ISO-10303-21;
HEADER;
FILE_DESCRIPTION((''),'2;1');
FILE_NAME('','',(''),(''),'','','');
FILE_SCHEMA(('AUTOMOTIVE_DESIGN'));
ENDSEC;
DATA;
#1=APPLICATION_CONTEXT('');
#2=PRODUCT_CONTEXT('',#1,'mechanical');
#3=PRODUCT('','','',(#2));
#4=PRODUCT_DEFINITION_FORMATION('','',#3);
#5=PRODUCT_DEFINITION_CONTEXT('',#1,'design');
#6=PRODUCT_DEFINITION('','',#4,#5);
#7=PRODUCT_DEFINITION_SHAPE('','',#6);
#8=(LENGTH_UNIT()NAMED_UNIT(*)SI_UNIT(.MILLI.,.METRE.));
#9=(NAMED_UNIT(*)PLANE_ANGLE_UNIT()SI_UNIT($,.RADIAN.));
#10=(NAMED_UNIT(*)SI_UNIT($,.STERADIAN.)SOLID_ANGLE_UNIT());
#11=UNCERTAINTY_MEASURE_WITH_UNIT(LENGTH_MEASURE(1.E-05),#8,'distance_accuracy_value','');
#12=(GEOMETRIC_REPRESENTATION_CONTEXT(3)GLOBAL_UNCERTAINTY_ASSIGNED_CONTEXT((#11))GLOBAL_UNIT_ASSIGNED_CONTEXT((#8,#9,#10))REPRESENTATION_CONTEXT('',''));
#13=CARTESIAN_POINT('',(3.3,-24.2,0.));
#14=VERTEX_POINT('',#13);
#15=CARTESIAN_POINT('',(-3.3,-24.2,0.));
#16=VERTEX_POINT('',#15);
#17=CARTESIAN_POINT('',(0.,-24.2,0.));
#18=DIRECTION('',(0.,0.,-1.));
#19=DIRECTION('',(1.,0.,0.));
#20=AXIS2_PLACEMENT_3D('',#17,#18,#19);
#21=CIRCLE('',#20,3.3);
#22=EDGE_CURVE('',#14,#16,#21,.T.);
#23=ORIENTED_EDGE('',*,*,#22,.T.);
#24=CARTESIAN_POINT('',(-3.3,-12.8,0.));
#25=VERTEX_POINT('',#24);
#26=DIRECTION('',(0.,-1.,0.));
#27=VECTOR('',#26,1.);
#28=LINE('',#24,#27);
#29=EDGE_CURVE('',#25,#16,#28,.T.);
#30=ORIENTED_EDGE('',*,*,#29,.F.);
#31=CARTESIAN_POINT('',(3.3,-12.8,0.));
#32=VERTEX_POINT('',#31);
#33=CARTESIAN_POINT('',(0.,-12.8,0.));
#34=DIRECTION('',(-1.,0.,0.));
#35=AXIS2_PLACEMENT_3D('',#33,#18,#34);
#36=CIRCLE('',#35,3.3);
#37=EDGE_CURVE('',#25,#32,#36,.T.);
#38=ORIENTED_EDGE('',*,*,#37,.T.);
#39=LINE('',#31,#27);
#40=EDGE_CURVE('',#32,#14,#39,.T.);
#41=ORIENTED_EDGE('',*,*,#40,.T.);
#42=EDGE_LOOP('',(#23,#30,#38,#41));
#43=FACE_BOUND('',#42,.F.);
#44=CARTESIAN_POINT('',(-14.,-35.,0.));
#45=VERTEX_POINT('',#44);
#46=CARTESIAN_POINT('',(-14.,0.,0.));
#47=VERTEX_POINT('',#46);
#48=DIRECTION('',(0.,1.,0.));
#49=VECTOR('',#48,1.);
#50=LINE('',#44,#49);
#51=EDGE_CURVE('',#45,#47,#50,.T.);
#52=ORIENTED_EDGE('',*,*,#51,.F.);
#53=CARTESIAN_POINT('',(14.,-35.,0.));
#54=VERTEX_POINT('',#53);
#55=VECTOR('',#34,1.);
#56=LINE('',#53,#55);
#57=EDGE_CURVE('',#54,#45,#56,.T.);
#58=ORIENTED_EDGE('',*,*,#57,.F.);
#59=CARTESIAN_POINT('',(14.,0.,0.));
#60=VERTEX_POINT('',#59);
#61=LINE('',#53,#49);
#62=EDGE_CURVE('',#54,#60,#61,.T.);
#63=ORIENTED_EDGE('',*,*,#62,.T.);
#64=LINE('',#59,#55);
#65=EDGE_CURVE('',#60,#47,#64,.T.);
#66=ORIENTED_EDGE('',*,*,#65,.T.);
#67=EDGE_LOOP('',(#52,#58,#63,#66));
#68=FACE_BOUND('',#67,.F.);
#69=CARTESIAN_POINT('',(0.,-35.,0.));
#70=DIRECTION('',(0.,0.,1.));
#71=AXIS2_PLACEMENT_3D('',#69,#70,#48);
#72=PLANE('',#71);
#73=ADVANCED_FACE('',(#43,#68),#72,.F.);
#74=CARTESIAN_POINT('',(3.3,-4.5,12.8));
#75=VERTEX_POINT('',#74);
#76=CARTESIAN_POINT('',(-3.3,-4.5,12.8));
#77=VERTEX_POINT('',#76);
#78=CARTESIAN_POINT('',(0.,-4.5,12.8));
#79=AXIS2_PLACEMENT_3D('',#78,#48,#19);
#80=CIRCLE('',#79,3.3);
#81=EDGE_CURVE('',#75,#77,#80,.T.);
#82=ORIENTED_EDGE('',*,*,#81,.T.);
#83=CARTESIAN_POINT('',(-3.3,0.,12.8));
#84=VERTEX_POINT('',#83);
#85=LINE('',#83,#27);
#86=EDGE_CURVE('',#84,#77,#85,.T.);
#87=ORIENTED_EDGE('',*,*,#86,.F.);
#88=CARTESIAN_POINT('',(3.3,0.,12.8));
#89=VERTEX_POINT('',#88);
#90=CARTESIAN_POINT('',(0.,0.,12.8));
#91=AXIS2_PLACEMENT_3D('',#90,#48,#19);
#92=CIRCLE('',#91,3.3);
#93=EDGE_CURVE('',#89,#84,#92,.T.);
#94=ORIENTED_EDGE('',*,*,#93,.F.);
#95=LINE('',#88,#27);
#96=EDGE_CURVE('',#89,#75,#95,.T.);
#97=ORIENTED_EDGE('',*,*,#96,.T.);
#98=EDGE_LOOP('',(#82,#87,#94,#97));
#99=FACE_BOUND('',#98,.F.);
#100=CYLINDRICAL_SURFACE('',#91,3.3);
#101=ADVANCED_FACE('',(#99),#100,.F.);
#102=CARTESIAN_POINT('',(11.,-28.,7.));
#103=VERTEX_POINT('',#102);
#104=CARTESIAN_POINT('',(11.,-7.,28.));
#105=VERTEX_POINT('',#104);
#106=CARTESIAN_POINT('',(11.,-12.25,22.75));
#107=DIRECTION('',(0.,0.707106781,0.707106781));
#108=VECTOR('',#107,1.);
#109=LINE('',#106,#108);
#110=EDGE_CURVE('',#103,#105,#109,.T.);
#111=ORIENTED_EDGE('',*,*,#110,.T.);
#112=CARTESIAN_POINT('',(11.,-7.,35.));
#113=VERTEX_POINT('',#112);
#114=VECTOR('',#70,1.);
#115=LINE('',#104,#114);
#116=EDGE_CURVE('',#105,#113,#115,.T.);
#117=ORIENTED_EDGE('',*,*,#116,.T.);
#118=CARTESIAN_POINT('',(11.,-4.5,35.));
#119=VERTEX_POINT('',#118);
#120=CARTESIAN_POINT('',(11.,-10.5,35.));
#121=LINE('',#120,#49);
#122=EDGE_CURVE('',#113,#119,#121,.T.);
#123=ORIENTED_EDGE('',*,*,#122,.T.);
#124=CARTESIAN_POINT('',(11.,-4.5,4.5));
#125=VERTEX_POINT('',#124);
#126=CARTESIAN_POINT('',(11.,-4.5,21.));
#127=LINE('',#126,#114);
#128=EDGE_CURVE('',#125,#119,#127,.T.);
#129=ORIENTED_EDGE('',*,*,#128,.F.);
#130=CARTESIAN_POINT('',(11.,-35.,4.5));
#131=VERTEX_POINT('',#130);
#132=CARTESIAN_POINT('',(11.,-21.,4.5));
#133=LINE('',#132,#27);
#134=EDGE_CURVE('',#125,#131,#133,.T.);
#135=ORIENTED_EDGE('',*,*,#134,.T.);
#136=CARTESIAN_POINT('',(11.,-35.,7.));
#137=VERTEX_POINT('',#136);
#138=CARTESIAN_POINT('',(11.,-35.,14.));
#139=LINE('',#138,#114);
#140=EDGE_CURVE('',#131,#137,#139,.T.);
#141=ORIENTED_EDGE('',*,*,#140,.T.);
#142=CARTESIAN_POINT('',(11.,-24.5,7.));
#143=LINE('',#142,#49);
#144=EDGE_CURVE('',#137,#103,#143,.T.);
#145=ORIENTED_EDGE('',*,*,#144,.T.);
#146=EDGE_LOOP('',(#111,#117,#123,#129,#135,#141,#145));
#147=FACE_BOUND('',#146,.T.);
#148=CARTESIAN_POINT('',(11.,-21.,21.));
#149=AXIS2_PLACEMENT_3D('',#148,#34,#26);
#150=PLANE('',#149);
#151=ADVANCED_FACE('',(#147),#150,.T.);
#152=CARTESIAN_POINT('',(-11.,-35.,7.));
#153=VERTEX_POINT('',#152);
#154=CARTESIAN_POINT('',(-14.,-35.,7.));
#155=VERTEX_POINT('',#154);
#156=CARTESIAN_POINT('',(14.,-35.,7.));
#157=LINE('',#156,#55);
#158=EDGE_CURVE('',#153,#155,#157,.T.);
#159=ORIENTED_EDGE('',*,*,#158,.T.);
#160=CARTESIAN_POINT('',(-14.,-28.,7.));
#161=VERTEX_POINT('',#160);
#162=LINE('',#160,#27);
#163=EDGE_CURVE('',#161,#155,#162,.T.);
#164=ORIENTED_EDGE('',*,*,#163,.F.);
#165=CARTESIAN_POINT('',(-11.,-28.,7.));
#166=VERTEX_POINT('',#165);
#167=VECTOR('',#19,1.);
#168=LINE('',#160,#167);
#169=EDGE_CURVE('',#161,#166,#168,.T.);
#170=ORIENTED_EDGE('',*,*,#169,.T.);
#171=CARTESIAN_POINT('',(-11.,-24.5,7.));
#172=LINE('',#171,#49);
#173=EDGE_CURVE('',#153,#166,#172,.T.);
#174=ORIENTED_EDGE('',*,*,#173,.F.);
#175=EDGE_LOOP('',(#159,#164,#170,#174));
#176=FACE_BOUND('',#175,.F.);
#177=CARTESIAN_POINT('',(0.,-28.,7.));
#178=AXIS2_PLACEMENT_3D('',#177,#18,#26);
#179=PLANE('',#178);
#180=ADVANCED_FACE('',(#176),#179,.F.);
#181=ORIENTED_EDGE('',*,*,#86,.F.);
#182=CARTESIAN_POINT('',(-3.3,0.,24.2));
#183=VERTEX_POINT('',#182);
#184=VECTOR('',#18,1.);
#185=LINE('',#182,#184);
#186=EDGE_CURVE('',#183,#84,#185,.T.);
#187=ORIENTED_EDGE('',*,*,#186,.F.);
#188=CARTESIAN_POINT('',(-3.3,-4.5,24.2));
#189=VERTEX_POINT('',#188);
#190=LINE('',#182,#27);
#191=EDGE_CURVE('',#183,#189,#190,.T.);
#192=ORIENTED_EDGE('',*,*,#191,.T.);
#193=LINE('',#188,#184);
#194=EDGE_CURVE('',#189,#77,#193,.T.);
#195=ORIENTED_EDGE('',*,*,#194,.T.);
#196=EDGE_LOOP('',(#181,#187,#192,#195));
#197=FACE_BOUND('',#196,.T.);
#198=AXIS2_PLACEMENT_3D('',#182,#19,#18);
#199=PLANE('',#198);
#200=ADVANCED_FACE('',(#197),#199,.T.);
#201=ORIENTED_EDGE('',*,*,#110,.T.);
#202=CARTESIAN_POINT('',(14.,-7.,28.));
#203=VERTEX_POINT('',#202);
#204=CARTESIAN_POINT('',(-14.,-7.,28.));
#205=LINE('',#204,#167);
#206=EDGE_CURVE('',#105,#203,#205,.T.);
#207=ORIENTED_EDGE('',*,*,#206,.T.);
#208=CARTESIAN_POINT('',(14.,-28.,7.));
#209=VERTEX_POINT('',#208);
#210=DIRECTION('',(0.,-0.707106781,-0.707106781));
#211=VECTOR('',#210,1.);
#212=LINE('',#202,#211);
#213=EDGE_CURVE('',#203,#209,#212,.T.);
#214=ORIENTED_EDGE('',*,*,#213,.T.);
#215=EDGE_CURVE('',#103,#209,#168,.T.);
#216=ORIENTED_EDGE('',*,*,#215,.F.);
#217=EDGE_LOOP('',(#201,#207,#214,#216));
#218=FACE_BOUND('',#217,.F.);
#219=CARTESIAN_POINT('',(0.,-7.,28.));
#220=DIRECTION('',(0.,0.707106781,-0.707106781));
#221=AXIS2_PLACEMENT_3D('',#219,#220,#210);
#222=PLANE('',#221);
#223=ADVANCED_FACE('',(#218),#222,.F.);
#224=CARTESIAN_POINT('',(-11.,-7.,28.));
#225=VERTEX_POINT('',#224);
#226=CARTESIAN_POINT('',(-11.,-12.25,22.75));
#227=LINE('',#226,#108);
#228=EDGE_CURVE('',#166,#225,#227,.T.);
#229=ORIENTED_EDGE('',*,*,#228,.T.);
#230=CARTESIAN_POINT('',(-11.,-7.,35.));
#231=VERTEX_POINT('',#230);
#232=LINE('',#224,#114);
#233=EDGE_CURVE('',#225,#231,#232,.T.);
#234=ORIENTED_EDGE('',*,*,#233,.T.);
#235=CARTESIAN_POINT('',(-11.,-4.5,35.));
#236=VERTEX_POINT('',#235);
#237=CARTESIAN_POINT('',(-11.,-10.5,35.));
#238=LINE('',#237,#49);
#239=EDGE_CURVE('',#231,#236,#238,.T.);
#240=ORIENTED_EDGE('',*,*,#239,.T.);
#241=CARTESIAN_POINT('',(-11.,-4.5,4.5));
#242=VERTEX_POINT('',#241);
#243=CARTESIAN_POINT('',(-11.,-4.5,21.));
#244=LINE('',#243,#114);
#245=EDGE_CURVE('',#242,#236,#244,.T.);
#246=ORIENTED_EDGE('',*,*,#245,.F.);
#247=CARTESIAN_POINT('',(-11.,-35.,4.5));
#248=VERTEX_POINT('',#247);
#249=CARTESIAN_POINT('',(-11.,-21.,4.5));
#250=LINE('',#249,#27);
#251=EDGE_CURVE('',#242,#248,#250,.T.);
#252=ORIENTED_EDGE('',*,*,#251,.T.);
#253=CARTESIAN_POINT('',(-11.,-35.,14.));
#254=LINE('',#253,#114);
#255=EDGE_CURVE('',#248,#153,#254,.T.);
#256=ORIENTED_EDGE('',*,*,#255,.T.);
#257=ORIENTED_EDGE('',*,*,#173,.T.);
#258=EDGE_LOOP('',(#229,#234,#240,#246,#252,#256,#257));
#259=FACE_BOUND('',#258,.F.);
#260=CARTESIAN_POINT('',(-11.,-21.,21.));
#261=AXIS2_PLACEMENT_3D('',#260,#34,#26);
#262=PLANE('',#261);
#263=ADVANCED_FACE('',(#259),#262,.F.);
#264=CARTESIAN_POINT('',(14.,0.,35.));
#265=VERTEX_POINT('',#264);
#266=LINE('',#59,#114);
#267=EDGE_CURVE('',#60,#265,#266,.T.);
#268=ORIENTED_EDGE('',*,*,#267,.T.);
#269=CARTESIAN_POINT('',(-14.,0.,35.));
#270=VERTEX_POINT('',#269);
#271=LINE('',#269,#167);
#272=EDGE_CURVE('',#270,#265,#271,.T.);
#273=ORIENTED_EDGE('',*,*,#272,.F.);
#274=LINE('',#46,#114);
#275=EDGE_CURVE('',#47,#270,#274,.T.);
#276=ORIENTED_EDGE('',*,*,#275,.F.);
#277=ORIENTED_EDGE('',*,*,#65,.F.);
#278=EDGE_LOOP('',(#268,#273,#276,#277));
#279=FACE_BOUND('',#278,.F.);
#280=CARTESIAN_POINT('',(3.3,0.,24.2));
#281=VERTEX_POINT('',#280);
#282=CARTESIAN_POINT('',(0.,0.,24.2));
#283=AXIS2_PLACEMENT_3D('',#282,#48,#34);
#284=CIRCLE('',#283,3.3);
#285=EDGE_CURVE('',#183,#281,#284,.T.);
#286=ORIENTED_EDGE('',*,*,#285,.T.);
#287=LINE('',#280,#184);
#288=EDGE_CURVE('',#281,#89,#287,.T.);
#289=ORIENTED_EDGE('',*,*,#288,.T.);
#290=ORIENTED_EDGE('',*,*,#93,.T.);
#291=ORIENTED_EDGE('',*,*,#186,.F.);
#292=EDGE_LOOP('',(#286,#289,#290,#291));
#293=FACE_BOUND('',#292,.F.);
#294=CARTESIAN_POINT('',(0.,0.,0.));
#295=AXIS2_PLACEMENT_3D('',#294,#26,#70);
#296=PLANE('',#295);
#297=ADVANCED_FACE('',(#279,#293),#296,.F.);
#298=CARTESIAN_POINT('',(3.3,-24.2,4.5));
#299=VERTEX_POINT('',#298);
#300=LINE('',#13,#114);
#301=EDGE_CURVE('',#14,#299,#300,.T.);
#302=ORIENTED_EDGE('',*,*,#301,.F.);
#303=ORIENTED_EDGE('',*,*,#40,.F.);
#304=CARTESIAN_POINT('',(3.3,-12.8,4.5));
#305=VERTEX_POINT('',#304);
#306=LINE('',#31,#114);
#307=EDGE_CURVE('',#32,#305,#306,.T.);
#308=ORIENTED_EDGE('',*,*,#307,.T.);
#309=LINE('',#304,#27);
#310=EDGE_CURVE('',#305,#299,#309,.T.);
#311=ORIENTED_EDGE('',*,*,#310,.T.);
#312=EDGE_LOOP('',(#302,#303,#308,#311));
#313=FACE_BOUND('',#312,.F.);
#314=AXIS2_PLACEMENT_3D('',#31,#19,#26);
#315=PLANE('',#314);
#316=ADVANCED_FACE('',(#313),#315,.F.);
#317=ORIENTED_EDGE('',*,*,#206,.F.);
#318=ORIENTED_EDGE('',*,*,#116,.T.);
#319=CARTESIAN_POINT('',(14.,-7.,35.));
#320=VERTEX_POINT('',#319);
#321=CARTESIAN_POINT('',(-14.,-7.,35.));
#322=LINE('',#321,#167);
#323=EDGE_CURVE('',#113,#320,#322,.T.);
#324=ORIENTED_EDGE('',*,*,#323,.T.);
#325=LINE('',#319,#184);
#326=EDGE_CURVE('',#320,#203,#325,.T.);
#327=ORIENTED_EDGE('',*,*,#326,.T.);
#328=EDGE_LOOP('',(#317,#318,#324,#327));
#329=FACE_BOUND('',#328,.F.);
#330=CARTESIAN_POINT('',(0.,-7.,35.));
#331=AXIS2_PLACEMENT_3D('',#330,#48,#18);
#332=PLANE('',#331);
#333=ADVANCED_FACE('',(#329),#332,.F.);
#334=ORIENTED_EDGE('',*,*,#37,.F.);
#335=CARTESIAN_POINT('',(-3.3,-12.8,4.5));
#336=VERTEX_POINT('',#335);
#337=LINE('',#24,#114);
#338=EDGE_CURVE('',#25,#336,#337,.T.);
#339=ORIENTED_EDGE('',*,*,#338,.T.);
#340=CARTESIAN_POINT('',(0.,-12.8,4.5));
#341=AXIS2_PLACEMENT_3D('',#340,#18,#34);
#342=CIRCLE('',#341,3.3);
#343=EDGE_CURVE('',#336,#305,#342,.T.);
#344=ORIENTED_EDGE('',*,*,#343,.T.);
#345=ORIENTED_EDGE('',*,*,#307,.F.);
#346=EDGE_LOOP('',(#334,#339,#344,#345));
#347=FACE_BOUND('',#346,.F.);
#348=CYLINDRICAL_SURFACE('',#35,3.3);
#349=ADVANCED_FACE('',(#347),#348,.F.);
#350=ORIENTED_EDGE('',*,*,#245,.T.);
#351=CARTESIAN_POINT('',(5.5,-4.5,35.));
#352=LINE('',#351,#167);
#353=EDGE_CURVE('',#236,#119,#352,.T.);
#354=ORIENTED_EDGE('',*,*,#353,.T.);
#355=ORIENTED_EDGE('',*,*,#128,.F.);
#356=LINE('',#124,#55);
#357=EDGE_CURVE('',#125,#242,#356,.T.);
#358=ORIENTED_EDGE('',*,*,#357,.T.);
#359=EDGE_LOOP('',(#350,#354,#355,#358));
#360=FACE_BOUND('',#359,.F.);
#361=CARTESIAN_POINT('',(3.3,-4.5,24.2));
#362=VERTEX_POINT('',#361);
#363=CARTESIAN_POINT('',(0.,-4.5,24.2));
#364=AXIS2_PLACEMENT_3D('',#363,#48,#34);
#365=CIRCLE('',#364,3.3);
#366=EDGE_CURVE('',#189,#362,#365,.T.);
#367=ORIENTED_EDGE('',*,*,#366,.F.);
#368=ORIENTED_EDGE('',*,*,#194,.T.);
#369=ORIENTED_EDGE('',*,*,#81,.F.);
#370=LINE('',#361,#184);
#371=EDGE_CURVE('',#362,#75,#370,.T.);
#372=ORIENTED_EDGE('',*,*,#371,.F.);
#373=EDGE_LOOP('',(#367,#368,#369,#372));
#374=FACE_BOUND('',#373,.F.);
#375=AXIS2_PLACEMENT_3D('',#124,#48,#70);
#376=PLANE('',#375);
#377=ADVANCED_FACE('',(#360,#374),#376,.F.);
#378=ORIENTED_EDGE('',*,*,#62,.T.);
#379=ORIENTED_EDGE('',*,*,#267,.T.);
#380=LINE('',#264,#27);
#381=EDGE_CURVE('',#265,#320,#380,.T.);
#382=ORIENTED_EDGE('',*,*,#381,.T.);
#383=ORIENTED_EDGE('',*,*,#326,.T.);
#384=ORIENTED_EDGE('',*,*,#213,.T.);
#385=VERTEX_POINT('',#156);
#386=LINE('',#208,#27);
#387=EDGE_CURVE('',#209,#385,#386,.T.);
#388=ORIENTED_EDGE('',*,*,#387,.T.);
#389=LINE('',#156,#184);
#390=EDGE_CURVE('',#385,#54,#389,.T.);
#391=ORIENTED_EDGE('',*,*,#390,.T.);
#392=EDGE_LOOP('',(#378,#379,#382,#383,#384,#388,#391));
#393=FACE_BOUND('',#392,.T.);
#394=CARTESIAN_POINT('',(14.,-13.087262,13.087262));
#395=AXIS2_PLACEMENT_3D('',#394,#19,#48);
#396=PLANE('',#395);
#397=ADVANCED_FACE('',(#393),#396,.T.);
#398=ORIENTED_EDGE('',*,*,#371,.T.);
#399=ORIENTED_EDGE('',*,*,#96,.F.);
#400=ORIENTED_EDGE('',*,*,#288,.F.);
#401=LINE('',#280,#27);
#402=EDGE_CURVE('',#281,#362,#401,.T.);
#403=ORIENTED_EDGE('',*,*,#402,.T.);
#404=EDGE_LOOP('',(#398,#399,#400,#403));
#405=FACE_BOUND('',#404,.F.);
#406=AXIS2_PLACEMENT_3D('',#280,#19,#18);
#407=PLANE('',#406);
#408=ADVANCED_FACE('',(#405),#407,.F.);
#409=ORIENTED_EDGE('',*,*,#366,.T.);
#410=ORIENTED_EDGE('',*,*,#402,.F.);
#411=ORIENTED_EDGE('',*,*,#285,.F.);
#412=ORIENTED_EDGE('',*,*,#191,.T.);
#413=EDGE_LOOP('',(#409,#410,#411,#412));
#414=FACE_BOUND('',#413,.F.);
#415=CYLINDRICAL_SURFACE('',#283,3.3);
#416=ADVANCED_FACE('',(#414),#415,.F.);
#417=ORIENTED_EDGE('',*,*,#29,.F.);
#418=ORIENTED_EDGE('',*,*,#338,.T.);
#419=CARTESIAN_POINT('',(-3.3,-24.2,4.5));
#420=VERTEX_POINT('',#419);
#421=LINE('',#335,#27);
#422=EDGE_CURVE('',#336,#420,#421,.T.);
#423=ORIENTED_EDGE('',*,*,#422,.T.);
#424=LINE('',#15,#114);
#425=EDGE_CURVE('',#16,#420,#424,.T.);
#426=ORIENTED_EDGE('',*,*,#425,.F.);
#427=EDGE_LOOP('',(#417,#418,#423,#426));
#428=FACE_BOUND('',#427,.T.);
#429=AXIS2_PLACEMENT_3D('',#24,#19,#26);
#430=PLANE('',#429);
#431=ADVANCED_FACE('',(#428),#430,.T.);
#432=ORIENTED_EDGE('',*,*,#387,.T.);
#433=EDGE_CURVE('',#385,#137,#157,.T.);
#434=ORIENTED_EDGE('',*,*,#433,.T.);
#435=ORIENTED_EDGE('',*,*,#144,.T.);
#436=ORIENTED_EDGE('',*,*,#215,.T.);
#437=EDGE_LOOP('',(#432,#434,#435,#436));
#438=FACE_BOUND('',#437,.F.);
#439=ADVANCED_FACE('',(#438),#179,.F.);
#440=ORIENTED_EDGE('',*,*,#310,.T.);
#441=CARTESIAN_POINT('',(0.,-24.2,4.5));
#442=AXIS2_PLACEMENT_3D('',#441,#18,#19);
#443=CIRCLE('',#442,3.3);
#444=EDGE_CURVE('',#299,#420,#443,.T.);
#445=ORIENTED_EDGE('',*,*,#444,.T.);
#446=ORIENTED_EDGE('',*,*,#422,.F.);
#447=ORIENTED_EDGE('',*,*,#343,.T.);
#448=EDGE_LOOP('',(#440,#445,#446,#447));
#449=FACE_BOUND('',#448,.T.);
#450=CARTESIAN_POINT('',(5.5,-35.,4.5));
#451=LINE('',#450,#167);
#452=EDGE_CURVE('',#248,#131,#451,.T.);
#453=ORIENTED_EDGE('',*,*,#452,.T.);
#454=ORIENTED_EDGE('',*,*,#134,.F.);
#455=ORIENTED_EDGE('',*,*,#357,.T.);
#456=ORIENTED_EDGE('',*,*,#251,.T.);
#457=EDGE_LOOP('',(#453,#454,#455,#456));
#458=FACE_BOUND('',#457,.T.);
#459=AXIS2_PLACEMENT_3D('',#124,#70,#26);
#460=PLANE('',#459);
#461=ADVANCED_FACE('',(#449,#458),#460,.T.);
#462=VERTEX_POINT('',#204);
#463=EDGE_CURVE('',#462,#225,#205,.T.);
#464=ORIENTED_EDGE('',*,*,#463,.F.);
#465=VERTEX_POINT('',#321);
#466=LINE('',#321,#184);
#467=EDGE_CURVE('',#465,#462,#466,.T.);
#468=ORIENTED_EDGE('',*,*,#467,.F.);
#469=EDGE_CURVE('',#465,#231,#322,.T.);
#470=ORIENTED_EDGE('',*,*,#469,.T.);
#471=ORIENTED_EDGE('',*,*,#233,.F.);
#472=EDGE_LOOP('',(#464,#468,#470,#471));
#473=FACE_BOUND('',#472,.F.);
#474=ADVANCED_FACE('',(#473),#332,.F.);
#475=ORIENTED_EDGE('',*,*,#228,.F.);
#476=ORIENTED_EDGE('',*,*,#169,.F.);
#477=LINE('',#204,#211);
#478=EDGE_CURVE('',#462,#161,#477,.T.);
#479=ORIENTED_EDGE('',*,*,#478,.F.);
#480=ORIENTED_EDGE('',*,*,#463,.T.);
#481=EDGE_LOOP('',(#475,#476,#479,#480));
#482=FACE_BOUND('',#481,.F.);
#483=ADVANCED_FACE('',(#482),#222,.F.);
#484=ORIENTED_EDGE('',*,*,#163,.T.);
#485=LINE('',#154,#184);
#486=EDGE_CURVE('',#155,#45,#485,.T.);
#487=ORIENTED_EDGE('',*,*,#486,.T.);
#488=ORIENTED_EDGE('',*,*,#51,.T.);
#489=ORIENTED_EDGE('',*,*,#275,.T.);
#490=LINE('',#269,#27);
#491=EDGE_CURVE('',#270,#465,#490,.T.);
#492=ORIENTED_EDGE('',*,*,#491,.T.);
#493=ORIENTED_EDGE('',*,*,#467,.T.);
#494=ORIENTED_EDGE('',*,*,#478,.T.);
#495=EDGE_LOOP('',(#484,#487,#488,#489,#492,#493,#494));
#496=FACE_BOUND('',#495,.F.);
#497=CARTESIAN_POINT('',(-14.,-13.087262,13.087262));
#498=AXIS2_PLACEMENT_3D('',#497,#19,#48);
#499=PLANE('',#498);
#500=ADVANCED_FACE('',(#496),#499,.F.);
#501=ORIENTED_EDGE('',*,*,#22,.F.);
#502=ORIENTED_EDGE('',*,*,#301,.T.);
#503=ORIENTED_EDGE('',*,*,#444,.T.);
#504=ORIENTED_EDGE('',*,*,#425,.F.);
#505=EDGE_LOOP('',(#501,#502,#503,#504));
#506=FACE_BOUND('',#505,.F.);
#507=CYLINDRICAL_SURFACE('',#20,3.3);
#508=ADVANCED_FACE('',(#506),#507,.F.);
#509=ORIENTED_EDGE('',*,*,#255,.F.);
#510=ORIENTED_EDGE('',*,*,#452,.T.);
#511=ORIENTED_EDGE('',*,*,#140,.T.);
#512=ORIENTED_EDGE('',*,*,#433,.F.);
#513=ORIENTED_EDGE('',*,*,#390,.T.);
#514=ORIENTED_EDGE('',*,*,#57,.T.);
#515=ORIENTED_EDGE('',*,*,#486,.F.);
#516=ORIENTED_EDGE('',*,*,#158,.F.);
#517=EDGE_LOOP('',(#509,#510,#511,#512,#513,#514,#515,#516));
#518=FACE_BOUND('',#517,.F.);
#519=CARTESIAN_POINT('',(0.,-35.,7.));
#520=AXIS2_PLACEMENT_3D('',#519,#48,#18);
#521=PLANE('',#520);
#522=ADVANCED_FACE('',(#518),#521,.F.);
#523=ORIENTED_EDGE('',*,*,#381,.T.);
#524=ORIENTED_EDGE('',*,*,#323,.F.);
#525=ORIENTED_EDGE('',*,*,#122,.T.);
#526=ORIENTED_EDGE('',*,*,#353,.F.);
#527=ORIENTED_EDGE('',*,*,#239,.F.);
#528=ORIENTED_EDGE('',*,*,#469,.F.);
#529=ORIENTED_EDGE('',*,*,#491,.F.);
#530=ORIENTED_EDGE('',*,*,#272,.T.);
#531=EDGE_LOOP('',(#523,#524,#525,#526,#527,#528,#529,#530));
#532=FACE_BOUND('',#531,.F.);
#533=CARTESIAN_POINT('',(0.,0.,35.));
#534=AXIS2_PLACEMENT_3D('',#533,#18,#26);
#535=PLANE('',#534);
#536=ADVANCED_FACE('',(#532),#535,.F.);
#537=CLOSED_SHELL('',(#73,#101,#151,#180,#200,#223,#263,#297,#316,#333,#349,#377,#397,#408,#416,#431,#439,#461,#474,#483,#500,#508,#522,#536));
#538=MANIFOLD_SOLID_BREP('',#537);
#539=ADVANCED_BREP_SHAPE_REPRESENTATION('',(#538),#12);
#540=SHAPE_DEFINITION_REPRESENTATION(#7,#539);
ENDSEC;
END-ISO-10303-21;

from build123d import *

# Parameters (mm, degrees)
PAD_DEPTH            = 14
BOX_W                = 33
BOX_H                = 33
BOX_DEPTH            = 22
POCKET_DEPTH         = 4.5
POCKET001_DEPTH      = 4.5
BODY_ROLL_ANGLE      = 90
BODY_PLACEMENT_ANGLE = -90


with BuildPart() as part:
    # Sketch → Pad (new body, symmetric)
    with BuildSketch(Plane.XY):
        Polygon((0, 0), (0, 35), (7, 35), (7, 28), (28, 7), (35, 7), (35, 0), align=None)
    extrude(amount=PAD_DEPTH, both=True)

    # Box → Box (cut)
    with BuildSketch(Plane(origin=(4.5, 4.5, -11), x_dir=(1, 0, 0), z_dir=(0, 0, 1))):
        with Locations((16.5, 16.5)):
            Rectangle(BOX_W, BOX_H)
    extrude(amount=BOX_DEPTH, mode=Mode.SUBTRACT)

    # Sketch001 (on Face1 of Box) → Pocket (cut)
    with BuildSketch(Plane(origin=(0, 0, 0), x_dir=(0, -1, 0), z_dir=(-1, 0, 0))):
        with BuildLine():
            ThreePointArc((-24.2, 3.3), (-27.5, 0), (-24.2, -3.3))
            Line((-24.2, -3.3), (-12.8, -3.3))
            ThreePointArc((-12.8, -3.3), (-9.5, 0), (-12.8, 3.3))
            Line((-24.2, 3.3), (-12.8, 3.3))
        make_face()
    extrude(amount=-POCKET_DEPTH, mode=Mode.SUBTRACT)

    # Sketch002 (on Face2 of Pocket) → Pocket001 (cut)
    with BuildSketch(Plane.XZ):
        with BuildLine():
            ThreePointArc((12.8, 3.3), (9.5, 0), (12.8, -3.3))
            Line((12.8, -3.3), (24.2, -3.3))
            ThreePointArc((24.2, -3.3), (27.5, 0), (24.2, 3.3))
            Line((12.8, 3.3), (24.2, 3.3))
        make_face()
    extrude(amount=-POCKET001_DEPTH, mode=Mode.SUBTRACT)


with BuildPart() as part_1:
    # Body roll: moved
    add(part.part.rotate(Axis((0, 0, 0), (1, 0, 0)), BODY_ROLL_ANGLE))


with BuildPart() as part_2:
    # Body placement: moved
    add(part_1.part.rotate(Axis((0, 0, 0), (0, 0, 1)), BODY_PLACEMENT_ANGLE))


solid = part_2.part
